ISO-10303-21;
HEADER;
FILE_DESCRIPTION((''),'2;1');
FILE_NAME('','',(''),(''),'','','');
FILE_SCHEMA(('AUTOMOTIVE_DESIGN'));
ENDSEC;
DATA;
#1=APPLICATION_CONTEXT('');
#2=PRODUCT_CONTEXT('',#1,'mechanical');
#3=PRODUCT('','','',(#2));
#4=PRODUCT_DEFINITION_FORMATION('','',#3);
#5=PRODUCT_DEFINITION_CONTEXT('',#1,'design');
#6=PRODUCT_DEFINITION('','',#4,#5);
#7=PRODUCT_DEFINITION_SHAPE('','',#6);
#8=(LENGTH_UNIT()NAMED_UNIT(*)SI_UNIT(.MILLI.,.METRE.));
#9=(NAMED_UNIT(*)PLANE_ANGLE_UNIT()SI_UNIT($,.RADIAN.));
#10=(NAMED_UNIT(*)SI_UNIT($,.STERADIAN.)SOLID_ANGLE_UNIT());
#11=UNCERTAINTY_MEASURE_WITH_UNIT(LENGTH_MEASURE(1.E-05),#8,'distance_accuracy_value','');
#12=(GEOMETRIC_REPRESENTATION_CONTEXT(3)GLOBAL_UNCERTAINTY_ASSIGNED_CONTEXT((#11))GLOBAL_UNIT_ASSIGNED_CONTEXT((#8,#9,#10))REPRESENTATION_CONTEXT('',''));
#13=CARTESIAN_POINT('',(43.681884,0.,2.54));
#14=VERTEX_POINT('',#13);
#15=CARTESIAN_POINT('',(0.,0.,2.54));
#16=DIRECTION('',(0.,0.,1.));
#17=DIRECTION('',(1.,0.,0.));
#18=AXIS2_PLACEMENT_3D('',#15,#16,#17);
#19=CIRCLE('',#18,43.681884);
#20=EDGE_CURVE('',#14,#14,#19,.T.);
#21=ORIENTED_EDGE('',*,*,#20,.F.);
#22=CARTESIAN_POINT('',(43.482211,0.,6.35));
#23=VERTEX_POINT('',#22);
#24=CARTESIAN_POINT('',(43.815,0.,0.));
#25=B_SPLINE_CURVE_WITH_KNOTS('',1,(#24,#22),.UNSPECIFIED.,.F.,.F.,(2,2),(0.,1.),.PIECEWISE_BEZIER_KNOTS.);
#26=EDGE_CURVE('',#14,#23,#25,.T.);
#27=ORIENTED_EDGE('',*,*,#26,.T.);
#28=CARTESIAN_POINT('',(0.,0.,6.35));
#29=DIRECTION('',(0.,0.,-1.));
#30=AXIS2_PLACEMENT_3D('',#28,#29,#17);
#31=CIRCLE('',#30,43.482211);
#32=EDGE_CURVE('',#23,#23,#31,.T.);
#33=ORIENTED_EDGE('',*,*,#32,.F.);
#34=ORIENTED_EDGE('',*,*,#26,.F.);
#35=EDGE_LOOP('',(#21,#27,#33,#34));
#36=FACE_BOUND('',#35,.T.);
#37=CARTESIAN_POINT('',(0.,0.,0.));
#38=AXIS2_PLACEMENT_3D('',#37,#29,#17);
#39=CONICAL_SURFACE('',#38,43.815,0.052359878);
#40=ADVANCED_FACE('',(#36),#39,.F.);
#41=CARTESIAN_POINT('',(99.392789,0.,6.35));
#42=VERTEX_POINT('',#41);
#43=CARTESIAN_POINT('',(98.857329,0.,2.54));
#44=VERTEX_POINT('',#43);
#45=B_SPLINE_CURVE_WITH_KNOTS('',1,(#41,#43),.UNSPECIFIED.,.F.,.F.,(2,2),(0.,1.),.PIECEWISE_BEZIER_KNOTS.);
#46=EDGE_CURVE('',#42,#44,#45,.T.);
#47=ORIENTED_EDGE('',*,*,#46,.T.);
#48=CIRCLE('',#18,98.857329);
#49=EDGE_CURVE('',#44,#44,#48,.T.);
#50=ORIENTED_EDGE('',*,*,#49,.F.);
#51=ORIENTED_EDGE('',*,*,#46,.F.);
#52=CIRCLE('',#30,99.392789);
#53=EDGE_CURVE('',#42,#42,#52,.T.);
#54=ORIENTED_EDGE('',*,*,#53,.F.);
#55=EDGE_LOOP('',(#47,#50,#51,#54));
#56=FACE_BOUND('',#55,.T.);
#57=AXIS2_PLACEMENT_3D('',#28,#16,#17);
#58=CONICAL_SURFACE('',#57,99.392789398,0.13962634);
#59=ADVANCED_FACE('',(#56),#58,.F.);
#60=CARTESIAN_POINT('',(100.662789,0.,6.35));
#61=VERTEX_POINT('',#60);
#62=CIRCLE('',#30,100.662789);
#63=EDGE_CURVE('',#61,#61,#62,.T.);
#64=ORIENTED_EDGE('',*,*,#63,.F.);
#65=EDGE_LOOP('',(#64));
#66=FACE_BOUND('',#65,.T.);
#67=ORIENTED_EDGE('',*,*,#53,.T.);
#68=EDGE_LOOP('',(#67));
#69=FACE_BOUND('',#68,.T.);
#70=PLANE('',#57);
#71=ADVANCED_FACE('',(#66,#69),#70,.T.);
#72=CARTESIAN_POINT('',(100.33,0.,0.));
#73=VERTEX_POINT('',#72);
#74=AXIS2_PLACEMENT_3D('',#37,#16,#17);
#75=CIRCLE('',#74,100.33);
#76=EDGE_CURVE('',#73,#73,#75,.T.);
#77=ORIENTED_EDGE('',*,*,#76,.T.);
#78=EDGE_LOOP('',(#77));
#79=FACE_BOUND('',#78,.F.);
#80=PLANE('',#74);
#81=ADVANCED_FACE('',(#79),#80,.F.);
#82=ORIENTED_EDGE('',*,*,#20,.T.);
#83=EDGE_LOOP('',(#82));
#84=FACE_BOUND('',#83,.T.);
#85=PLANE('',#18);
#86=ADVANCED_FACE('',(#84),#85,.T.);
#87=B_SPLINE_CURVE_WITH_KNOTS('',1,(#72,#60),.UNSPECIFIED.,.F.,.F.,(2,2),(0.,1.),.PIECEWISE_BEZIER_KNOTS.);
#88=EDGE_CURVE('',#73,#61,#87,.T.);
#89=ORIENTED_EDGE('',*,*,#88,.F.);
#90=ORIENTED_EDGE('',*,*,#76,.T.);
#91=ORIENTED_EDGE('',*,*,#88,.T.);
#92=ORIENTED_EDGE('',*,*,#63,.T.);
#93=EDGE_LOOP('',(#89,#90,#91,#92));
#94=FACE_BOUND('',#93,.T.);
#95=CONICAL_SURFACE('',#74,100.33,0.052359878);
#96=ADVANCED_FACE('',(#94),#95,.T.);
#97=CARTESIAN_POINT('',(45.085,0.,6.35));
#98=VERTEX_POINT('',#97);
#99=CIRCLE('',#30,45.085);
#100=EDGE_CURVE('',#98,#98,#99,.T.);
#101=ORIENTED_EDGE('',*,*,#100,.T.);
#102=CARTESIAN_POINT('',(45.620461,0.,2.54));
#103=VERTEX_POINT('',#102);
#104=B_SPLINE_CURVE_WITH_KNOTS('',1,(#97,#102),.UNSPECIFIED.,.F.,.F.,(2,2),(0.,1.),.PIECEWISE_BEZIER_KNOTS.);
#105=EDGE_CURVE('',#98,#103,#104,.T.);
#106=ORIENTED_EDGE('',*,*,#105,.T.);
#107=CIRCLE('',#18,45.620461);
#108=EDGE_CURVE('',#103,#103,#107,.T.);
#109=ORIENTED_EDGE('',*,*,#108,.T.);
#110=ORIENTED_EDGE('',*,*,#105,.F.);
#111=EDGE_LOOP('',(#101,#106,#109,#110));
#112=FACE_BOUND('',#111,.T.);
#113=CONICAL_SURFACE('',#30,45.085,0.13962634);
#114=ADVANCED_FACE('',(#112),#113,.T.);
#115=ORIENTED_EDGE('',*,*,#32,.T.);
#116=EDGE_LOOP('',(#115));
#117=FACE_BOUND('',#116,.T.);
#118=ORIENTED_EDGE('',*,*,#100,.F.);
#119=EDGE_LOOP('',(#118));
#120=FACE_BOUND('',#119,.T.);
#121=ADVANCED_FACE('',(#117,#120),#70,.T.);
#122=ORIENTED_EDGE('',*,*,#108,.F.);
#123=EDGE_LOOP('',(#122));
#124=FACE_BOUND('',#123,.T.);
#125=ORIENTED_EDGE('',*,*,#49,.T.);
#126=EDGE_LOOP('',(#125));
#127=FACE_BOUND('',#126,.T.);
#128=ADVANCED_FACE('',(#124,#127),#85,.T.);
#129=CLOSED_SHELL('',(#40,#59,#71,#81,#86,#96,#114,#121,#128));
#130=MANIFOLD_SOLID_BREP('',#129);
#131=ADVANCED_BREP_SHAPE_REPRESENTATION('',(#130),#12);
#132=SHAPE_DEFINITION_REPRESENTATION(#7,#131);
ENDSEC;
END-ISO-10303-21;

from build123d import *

# Parameters (mm, degrees)
F0_R     = 100.33
F0_R_2   = 43.815
F1_DEPTH = 6.35
F1_TAPER = -3
F2_DEPTH = 2.54
F3_R     = 43.4822106016
F4_DEPTH = 3.81
F3_R_2   = 99.3927893984
F3_R_3   = 45.085
F5_DEPTH = 3.81
F5_TAPER = 8


with BuildPart() as f1:
    # F0 (on Top) → F1 (new body)
    with BuildSketch(Plane.XY):
        Circle(F0_R)
        Circle(F0_R_2, mode=Mode.SUBTRACT)
    extrude(amount=F1_DEPTH, taper=F1_TAPER)

    # F0 (on Top) → F2 (join)
    with BuildSketch(Plane.XY):
        Circle(F0_R_2)
    extrude(amount=F2_DEPTH)

    # F3 (on face) → F4 (cut, through all)
    with BuildSketch(Plane.XY.offset(6.35)):
        Circle(F3_R)
    extrude(amount=-F4_DEPTH, mode=Mode.SUBTRACT)

    # F3 (on face) → F5 (cut, through all)
    with BuildSketch(Plane.XY.offset(6.35)):
        Circle(F3_R_2)
        Circle(F3_R_3, mode=Mode.SUBTRACT)
    extrude(amount=-F5_DEPTH, taper=F5_TAPER, mode=Mode.SUBTRACT)


solid = f1.part
